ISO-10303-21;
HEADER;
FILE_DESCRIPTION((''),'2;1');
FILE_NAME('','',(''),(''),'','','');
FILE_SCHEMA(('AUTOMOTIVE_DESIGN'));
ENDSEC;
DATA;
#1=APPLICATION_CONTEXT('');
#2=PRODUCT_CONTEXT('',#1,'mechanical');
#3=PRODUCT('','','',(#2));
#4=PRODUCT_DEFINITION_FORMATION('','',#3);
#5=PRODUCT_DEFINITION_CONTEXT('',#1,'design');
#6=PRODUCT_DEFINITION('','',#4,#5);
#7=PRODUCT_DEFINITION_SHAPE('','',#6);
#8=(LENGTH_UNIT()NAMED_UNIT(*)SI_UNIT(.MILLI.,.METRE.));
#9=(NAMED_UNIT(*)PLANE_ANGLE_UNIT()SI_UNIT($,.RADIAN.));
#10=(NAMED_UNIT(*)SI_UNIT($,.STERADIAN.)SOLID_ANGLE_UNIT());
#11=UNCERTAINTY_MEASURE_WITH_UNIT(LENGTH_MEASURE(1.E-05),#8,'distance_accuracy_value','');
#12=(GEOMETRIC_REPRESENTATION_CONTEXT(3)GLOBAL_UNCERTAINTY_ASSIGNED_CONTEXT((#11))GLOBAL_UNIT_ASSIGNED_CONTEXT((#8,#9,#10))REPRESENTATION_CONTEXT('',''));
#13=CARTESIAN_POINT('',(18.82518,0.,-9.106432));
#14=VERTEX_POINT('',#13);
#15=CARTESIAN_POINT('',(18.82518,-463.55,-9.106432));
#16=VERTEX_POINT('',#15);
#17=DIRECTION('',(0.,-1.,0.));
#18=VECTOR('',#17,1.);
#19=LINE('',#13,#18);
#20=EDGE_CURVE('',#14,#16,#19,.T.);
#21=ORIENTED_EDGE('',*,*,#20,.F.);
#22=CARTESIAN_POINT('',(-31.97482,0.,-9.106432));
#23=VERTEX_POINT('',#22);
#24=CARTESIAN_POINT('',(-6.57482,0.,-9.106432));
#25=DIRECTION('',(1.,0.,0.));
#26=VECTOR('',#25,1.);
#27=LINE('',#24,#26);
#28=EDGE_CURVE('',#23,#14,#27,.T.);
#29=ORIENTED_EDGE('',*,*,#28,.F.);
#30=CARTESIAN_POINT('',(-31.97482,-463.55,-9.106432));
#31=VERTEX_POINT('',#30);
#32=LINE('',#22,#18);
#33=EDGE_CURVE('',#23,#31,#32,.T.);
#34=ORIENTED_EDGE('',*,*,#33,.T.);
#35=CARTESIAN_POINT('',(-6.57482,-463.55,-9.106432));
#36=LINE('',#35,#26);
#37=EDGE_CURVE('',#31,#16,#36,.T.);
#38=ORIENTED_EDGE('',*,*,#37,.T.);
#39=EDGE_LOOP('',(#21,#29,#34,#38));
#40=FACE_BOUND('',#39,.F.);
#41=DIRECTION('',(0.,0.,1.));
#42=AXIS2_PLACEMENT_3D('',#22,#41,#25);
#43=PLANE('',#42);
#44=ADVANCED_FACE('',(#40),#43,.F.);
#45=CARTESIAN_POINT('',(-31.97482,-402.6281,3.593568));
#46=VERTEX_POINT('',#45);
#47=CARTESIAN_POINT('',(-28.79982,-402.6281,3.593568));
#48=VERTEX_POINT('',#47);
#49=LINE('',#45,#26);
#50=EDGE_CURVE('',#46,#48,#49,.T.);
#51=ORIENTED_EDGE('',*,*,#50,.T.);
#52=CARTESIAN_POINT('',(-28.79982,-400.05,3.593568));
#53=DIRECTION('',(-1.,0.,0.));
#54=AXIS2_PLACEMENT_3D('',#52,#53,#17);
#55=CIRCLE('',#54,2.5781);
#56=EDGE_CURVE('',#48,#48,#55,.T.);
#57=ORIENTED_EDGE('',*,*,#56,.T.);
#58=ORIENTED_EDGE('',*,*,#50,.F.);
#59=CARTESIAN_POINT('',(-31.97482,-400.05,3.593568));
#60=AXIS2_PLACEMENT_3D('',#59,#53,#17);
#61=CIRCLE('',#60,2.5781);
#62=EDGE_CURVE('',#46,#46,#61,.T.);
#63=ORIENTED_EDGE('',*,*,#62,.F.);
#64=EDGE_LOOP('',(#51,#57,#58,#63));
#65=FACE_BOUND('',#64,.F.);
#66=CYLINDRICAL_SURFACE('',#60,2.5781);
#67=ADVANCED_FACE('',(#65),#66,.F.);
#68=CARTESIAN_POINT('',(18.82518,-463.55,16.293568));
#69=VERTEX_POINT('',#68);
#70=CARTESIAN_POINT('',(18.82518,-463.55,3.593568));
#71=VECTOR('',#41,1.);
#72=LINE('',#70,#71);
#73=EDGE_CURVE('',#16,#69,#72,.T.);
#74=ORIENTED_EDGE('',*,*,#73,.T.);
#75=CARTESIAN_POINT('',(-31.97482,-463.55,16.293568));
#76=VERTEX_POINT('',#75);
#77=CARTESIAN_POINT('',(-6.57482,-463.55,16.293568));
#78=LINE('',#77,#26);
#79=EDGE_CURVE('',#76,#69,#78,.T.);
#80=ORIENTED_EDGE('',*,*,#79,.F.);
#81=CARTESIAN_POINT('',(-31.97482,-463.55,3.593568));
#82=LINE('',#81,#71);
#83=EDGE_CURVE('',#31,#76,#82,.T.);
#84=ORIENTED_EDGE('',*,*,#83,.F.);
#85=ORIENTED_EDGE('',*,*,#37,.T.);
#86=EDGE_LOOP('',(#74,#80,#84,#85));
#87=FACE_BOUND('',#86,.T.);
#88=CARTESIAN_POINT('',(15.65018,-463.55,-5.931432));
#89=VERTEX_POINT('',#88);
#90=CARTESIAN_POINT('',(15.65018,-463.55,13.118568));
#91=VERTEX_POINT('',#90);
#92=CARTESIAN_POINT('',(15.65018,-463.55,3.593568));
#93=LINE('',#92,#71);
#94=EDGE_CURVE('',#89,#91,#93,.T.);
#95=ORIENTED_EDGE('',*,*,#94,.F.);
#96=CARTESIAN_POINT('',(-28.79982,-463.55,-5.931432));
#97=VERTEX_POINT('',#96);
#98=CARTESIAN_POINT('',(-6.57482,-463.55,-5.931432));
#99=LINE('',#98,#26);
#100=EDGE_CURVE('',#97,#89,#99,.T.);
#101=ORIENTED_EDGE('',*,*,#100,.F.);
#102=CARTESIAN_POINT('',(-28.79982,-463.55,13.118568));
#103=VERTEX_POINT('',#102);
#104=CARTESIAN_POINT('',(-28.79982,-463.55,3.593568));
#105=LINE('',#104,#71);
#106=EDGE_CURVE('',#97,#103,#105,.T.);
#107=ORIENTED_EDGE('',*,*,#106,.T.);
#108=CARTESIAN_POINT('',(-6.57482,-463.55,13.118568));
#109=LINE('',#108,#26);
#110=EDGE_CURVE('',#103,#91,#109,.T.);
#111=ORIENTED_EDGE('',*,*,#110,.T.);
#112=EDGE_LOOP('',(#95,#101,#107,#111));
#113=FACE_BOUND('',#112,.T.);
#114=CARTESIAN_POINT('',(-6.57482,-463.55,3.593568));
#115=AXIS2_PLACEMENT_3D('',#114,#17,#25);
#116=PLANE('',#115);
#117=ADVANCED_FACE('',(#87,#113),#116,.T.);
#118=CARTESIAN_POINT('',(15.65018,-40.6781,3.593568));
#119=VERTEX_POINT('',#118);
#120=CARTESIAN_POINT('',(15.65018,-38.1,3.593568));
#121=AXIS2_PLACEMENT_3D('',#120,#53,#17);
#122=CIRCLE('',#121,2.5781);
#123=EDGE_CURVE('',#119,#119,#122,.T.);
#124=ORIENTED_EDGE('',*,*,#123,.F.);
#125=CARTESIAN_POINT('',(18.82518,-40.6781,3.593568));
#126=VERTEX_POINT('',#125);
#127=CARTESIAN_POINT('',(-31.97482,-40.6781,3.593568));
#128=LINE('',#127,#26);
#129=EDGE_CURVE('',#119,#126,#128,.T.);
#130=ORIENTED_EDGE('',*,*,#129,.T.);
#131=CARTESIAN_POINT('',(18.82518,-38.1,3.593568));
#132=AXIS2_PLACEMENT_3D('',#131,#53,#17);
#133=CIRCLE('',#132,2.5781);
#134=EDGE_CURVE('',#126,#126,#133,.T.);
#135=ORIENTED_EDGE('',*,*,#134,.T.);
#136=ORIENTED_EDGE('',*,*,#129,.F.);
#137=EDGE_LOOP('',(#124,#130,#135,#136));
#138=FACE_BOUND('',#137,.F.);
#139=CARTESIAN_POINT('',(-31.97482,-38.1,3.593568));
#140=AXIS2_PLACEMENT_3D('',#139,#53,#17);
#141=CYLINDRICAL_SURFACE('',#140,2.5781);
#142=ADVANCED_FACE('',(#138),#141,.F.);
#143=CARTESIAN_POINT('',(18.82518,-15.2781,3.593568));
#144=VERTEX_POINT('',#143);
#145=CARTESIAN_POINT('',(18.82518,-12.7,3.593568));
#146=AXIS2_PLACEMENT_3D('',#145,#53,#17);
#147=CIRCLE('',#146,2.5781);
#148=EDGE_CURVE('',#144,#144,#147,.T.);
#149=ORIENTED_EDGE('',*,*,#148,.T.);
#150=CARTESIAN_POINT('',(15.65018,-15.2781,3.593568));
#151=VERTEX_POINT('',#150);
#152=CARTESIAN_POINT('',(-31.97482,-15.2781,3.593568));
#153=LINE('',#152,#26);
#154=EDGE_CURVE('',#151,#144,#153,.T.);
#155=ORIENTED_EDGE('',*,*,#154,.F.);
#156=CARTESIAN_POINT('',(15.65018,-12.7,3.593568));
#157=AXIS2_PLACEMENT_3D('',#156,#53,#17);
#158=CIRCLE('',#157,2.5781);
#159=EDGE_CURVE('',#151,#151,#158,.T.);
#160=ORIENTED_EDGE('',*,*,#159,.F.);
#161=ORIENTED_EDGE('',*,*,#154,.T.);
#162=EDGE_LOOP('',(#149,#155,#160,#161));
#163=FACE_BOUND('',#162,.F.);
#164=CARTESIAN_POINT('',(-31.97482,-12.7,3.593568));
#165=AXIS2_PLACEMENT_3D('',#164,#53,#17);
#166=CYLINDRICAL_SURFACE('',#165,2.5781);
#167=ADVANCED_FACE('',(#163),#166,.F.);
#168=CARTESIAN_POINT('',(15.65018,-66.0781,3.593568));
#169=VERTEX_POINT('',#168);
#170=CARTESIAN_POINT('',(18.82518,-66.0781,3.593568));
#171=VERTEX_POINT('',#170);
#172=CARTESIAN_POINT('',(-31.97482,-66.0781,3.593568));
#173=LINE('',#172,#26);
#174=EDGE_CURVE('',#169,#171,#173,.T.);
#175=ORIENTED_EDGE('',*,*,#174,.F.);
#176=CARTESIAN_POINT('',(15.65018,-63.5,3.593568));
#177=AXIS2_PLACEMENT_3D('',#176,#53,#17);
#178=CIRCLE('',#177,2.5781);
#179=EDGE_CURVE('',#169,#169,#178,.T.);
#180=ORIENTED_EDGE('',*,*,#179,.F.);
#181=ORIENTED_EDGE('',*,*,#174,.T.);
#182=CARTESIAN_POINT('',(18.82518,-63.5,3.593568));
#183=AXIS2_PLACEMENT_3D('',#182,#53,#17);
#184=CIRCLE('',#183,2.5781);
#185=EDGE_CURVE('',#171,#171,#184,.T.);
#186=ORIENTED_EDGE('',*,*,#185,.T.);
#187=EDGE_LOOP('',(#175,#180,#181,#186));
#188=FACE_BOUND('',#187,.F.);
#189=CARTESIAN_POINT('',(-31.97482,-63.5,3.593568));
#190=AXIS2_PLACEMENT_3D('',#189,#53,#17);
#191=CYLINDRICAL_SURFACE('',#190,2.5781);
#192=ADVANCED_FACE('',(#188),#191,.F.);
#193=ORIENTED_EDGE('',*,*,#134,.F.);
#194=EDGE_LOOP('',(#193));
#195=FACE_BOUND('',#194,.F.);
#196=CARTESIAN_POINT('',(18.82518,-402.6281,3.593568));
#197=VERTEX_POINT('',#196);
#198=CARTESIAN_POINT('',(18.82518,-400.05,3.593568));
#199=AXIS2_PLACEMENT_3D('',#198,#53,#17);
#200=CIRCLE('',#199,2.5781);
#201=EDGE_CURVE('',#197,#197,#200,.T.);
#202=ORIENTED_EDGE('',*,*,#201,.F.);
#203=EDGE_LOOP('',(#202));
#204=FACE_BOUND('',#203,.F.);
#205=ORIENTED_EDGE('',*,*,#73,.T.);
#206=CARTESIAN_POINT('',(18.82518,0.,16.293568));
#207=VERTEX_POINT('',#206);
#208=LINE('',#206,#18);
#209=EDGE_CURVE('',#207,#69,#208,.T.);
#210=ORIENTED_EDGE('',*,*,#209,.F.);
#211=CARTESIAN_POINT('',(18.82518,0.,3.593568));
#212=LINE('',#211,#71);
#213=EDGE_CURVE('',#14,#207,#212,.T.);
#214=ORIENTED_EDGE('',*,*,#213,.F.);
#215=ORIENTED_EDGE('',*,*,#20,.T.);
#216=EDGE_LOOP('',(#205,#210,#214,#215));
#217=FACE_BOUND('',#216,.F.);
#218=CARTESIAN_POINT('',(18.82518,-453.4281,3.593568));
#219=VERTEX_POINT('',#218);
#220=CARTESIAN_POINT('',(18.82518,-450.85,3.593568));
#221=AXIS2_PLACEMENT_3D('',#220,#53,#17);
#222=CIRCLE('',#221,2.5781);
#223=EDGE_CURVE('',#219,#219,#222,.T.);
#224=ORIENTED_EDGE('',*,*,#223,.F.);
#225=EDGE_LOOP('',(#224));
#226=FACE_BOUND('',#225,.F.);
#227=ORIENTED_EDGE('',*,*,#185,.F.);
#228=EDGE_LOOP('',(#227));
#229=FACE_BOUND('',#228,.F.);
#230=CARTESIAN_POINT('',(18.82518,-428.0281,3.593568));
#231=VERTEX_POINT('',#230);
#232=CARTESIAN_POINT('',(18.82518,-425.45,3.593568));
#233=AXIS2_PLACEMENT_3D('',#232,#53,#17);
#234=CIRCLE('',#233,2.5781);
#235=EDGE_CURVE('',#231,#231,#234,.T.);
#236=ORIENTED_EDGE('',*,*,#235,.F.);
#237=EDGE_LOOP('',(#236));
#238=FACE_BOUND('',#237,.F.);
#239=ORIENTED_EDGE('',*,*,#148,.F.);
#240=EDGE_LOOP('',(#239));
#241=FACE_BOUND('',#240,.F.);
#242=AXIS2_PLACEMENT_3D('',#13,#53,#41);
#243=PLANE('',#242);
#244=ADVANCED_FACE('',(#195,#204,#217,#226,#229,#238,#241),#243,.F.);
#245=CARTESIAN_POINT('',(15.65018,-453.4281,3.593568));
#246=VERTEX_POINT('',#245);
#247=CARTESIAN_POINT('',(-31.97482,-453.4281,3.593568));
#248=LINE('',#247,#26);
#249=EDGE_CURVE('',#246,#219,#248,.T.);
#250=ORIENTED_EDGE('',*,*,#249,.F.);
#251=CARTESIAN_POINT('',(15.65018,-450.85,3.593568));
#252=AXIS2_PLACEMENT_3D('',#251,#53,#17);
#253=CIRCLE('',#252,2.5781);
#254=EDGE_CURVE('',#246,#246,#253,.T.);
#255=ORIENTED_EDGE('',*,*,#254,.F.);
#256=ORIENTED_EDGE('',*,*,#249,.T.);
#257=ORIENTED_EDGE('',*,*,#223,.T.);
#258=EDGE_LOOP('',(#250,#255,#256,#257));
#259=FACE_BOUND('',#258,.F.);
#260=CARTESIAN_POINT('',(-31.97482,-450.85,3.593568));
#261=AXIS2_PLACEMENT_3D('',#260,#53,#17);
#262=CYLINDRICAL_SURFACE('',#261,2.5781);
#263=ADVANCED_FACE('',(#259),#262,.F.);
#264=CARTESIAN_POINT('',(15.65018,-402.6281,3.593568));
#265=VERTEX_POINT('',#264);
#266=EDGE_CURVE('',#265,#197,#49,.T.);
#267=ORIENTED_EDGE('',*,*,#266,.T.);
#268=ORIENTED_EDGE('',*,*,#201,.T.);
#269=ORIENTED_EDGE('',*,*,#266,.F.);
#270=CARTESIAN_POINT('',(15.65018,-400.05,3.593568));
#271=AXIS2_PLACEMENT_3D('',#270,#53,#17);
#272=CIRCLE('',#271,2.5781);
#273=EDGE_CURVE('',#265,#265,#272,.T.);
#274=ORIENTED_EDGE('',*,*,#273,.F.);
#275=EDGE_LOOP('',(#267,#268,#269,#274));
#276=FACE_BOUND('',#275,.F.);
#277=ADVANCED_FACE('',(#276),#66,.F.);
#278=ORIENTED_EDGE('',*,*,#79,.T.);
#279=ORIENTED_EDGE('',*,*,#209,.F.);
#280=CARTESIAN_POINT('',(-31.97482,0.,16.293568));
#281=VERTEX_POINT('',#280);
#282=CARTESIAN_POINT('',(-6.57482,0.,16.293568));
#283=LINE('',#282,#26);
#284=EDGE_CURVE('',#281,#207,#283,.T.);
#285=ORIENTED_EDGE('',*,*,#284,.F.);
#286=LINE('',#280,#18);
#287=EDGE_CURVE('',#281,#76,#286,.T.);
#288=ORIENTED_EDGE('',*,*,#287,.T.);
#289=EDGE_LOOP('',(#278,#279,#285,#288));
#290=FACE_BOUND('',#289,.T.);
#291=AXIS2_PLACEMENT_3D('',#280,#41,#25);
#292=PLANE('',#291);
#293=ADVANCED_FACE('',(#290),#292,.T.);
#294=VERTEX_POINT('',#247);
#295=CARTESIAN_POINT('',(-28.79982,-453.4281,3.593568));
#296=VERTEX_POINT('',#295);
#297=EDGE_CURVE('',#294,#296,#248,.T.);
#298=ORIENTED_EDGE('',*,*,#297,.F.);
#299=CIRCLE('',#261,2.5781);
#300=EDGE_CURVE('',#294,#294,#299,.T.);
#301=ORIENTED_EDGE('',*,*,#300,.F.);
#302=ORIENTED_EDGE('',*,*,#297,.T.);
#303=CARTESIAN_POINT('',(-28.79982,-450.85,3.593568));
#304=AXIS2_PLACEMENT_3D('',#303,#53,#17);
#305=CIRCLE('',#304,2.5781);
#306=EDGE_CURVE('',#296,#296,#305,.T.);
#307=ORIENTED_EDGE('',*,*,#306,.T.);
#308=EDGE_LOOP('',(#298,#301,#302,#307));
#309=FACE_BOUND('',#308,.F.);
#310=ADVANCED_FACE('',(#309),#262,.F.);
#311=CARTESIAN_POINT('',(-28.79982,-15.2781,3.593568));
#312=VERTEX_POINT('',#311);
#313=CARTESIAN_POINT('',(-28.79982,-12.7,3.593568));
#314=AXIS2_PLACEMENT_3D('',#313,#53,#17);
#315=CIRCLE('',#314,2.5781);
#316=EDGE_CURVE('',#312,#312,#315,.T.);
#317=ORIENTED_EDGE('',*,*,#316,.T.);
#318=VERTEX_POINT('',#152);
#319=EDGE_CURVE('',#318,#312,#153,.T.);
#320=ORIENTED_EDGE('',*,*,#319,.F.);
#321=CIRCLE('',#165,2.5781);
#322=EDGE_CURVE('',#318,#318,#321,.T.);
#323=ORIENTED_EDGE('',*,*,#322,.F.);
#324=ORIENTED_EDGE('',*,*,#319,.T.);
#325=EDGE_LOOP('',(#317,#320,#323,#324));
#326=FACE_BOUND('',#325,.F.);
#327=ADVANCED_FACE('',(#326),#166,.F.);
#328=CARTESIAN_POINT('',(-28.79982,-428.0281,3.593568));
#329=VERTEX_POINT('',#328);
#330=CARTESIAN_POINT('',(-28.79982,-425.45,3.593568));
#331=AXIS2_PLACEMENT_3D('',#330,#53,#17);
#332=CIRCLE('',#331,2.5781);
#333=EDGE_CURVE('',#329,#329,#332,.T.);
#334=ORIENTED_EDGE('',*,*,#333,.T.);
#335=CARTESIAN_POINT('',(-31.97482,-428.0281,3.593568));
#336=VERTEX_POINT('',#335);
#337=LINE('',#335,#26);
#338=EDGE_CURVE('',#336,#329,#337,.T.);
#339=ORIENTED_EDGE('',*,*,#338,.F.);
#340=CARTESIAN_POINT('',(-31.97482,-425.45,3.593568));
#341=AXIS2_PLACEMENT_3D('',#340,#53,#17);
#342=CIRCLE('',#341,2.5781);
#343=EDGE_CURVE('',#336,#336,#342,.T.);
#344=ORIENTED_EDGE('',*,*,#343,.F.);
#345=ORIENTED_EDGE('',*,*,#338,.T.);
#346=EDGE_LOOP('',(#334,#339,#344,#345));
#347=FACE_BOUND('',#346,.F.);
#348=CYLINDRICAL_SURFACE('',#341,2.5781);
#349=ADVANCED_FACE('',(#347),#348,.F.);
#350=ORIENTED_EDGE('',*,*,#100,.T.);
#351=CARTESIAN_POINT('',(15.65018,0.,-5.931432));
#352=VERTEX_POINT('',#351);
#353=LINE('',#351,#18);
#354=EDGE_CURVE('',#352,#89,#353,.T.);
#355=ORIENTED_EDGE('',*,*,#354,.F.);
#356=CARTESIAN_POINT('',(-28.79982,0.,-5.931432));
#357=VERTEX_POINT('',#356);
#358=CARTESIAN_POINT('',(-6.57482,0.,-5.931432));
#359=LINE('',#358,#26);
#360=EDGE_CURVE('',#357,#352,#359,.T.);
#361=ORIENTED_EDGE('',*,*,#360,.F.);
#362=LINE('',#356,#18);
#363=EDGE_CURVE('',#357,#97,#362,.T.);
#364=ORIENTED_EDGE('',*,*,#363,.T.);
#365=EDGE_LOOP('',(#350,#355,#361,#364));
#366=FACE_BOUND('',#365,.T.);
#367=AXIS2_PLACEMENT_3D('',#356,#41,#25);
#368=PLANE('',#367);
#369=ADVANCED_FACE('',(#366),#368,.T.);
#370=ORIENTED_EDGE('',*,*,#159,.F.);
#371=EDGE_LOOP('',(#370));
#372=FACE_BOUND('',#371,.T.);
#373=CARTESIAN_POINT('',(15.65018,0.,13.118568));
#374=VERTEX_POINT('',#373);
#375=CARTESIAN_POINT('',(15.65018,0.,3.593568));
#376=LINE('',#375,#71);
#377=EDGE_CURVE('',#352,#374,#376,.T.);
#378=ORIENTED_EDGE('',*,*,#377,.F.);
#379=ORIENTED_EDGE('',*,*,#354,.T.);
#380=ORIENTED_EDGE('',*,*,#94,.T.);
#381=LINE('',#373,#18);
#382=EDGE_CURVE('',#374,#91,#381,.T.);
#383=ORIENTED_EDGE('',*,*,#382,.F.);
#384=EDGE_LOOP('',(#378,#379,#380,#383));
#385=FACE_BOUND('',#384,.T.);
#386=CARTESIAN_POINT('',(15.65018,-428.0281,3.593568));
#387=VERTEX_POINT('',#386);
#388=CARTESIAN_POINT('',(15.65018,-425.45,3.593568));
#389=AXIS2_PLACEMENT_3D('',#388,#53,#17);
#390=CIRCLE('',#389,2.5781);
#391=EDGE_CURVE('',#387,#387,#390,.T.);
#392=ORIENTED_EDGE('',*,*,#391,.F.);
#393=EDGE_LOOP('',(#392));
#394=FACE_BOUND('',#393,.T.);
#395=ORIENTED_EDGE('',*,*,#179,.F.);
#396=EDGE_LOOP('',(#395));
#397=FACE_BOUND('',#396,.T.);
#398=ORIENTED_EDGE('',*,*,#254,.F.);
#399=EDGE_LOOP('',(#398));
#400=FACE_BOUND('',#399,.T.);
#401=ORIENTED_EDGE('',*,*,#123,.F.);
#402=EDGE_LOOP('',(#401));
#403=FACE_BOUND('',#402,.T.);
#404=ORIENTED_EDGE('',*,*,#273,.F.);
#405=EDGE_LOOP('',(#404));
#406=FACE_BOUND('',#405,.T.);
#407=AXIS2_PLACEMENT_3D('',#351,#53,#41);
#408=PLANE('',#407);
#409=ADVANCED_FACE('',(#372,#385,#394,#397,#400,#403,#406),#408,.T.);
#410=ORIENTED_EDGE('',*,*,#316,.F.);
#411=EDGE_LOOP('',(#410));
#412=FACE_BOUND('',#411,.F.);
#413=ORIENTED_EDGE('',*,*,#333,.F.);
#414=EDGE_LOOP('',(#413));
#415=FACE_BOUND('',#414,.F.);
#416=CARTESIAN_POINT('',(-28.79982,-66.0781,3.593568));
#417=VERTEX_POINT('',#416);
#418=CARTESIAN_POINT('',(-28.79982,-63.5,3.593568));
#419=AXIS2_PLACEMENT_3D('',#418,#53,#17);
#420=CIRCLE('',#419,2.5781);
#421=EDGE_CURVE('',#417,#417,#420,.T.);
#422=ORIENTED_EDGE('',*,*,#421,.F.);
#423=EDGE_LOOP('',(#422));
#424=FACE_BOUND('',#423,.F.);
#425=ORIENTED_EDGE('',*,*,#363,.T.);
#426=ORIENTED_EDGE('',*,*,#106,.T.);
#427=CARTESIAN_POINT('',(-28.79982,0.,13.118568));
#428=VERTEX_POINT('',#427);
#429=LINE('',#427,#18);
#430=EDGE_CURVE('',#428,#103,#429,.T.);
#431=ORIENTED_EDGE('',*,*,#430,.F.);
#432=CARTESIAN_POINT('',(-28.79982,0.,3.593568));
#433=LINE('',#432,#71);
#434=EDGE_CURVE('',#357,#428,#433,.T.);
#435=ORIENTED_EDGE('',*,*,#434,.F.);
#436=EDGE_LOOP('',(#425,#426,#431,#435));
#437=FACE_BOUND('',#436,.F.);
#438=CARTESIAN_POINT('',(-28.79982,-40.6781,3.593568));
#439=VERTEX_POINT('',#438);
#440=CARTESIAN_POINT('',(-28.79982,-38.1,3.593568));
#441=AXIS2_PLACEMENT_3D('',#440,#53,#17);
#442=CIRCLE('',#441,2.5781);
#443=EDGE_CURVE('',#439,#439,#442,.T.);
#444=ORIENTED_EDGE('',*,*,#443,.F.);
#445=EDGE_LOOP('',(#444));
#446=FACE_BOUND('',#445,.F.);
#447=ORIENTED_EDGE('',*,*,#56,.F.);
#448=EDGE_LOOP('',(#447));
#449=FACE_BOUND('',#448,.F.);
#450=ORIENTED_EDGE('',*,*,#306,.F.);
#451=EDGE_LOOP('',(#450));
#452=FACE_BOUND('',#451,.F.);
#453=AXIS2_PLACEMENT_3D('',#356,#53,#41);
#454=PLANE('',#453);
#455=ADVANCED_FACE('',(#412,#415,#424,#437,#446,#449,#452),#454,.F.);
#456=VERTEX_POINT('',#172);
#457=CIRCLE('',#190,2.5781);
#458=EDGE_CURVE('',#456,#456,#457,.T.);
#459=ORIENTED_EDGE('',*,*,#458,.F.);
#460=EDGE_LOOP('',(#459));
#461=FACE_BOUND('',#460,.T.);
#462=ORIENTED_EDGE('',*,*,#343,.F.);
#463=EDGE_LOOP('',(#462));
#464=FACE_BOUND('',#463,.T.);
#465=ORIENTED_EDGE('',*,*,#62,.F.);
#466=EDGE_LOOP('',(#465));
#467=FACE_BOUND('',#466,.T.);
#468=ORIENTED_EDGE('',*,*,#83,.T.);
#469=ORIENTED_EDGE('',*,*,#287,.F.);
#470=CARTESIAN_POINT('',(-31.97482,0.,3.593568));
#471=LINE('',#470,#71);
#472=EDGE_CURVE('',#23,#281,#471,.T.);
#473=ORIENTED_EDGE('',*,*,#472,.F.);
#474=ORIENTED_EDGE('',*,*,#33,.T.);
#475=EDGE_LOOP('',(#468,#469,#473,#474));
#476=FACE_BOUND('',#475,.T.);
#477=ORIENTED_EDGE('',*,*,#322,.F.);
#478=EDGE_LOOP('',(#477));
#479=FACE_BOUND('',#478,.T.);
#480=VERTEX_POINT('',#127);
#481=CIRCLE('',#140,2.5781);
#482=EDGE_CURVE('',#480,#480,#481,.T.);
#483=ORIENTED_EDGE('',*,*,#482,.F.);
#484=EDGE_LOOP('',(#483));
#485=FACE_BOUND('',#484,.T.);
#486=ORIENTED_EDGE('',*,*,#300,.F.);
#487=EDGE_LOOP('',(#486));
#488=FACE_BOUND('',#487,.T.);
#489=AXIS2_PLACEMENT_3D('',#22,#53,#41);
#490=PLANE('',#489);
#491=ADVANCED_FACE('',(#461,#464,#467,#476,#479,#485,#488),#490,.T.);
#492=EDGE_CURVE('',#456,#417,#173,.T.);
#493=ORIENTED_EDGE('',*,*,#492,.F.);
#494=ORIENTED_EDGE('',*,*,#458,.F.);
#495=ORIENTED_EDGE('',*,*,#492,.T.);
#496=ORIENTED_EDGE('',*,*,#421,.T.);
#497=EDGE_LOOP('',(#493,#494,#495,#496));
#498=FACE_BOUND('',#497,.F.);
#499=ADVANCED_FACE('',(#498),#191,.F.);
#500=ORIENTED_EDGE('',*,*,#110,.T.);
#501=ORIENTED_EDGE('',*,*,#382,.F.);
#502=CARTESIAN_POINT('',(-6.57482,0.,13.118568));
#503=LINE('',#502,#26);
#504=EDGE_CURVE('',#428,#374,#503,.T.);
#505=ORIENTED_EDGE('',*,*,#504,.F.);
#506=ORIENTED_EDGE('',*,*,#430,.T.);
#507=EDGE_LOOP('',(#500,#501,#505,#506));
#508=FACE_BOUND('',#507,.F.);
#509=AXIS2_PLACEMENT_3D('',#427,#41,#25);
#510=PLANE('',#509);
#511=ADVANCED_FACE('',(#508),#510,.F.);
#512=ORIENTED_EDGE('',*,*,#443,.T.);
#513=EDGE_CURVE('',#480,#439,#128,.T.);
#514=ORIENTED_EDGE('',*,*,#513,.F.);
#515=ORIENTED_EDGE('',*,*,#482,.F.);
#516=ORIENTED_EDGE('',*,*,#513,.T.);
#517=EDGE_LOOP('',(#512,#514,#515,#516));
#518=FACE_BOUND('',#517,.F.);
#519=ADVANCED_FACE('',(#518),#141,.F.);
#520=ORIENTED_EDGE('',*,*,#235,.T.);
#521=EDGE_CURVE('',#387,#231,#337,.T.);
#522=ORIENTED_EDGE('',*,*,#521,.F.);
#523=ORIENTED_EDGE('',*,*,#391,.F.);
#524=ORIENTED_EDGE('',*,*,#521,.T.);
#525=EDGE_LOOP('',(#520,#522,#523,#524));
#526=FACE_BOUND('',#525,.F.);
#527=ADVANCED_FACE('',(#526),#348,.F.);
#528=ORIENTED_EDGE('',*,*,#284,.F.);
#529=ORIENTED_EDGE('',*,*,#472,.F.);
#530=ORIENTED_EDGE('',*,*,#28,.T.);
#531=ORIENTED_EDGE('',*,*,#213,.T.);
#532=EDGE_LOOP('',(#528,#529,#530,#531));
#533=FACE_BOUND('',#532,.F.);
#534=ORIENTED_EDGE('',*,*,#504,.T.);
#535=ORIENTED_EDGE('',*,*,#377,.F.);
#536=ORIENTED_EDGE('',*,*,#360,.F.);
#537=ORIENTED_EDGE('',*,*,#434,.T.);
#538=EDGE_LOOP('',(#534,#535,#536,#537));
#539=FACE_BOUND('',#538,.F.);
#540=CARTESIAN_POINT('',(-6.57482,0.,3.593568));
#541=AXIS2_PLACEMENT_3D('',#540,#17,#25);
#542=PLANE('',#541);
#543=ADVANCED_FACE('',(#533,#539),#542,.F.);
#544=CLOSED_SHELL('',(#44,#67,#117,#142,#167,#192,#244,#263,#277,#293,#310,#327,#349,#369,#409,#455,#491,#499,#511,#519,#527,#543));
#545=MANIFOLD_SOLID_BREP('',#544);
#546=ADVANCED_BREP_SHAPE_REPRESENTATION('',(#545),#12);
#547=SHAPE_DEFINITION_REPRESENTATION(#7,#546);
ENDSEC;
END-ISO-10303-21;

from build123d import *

# Parameters (mm, degrees)
F0_W     = 50.8
F0_H     = 25.4
F0_W_2   = 44.45
F0_H_2   = 19.05
F1_DEPTH = 463.55
F2_R     = 2.5781
F3_DEPTH = 50.801


with BuildPart() as f1:
    # F0 (on Front) → F1 (new body)
    with BuildSketch(Plane.XZ):
        with Locations((-6.57482, 3.593568)):
            Rectangle(F0_W, F0_H)
        with Locations((-6.57482, 3.593568)):
            Rectangle(F0_W_2, F0_H_2, mode=Mode.SUBTRACT)
    extrude(amount=F1_DEPTH)

    # F2 (on face) → F3 (cut, through all)
    with BuildSketch(Plane(origin=(-31.97482, 0, 0), x_dir=(0, -1, 0), z_dir=(-1, 0, 0))):
        with Locations((12.7, 3.593568)):
            Circle(F2_R)
        with Locations((38.1, 3.593568)):
            Circle(F2_R)
        with Locations((63.5, 3.593568)):
            Circle(F2_R)
        with Locations((400.05, 3.593568)):
            Circle(F2_R)
        with Locations((425.45, 3.593568)):
            Circle(F2_R)
        with Locations((450.85, 3.593568)):
            Circle(F2_R)
    extrude(amount=-F3_DEPTH, mode=Mode.SUBTRACT)


solid = f1.part
